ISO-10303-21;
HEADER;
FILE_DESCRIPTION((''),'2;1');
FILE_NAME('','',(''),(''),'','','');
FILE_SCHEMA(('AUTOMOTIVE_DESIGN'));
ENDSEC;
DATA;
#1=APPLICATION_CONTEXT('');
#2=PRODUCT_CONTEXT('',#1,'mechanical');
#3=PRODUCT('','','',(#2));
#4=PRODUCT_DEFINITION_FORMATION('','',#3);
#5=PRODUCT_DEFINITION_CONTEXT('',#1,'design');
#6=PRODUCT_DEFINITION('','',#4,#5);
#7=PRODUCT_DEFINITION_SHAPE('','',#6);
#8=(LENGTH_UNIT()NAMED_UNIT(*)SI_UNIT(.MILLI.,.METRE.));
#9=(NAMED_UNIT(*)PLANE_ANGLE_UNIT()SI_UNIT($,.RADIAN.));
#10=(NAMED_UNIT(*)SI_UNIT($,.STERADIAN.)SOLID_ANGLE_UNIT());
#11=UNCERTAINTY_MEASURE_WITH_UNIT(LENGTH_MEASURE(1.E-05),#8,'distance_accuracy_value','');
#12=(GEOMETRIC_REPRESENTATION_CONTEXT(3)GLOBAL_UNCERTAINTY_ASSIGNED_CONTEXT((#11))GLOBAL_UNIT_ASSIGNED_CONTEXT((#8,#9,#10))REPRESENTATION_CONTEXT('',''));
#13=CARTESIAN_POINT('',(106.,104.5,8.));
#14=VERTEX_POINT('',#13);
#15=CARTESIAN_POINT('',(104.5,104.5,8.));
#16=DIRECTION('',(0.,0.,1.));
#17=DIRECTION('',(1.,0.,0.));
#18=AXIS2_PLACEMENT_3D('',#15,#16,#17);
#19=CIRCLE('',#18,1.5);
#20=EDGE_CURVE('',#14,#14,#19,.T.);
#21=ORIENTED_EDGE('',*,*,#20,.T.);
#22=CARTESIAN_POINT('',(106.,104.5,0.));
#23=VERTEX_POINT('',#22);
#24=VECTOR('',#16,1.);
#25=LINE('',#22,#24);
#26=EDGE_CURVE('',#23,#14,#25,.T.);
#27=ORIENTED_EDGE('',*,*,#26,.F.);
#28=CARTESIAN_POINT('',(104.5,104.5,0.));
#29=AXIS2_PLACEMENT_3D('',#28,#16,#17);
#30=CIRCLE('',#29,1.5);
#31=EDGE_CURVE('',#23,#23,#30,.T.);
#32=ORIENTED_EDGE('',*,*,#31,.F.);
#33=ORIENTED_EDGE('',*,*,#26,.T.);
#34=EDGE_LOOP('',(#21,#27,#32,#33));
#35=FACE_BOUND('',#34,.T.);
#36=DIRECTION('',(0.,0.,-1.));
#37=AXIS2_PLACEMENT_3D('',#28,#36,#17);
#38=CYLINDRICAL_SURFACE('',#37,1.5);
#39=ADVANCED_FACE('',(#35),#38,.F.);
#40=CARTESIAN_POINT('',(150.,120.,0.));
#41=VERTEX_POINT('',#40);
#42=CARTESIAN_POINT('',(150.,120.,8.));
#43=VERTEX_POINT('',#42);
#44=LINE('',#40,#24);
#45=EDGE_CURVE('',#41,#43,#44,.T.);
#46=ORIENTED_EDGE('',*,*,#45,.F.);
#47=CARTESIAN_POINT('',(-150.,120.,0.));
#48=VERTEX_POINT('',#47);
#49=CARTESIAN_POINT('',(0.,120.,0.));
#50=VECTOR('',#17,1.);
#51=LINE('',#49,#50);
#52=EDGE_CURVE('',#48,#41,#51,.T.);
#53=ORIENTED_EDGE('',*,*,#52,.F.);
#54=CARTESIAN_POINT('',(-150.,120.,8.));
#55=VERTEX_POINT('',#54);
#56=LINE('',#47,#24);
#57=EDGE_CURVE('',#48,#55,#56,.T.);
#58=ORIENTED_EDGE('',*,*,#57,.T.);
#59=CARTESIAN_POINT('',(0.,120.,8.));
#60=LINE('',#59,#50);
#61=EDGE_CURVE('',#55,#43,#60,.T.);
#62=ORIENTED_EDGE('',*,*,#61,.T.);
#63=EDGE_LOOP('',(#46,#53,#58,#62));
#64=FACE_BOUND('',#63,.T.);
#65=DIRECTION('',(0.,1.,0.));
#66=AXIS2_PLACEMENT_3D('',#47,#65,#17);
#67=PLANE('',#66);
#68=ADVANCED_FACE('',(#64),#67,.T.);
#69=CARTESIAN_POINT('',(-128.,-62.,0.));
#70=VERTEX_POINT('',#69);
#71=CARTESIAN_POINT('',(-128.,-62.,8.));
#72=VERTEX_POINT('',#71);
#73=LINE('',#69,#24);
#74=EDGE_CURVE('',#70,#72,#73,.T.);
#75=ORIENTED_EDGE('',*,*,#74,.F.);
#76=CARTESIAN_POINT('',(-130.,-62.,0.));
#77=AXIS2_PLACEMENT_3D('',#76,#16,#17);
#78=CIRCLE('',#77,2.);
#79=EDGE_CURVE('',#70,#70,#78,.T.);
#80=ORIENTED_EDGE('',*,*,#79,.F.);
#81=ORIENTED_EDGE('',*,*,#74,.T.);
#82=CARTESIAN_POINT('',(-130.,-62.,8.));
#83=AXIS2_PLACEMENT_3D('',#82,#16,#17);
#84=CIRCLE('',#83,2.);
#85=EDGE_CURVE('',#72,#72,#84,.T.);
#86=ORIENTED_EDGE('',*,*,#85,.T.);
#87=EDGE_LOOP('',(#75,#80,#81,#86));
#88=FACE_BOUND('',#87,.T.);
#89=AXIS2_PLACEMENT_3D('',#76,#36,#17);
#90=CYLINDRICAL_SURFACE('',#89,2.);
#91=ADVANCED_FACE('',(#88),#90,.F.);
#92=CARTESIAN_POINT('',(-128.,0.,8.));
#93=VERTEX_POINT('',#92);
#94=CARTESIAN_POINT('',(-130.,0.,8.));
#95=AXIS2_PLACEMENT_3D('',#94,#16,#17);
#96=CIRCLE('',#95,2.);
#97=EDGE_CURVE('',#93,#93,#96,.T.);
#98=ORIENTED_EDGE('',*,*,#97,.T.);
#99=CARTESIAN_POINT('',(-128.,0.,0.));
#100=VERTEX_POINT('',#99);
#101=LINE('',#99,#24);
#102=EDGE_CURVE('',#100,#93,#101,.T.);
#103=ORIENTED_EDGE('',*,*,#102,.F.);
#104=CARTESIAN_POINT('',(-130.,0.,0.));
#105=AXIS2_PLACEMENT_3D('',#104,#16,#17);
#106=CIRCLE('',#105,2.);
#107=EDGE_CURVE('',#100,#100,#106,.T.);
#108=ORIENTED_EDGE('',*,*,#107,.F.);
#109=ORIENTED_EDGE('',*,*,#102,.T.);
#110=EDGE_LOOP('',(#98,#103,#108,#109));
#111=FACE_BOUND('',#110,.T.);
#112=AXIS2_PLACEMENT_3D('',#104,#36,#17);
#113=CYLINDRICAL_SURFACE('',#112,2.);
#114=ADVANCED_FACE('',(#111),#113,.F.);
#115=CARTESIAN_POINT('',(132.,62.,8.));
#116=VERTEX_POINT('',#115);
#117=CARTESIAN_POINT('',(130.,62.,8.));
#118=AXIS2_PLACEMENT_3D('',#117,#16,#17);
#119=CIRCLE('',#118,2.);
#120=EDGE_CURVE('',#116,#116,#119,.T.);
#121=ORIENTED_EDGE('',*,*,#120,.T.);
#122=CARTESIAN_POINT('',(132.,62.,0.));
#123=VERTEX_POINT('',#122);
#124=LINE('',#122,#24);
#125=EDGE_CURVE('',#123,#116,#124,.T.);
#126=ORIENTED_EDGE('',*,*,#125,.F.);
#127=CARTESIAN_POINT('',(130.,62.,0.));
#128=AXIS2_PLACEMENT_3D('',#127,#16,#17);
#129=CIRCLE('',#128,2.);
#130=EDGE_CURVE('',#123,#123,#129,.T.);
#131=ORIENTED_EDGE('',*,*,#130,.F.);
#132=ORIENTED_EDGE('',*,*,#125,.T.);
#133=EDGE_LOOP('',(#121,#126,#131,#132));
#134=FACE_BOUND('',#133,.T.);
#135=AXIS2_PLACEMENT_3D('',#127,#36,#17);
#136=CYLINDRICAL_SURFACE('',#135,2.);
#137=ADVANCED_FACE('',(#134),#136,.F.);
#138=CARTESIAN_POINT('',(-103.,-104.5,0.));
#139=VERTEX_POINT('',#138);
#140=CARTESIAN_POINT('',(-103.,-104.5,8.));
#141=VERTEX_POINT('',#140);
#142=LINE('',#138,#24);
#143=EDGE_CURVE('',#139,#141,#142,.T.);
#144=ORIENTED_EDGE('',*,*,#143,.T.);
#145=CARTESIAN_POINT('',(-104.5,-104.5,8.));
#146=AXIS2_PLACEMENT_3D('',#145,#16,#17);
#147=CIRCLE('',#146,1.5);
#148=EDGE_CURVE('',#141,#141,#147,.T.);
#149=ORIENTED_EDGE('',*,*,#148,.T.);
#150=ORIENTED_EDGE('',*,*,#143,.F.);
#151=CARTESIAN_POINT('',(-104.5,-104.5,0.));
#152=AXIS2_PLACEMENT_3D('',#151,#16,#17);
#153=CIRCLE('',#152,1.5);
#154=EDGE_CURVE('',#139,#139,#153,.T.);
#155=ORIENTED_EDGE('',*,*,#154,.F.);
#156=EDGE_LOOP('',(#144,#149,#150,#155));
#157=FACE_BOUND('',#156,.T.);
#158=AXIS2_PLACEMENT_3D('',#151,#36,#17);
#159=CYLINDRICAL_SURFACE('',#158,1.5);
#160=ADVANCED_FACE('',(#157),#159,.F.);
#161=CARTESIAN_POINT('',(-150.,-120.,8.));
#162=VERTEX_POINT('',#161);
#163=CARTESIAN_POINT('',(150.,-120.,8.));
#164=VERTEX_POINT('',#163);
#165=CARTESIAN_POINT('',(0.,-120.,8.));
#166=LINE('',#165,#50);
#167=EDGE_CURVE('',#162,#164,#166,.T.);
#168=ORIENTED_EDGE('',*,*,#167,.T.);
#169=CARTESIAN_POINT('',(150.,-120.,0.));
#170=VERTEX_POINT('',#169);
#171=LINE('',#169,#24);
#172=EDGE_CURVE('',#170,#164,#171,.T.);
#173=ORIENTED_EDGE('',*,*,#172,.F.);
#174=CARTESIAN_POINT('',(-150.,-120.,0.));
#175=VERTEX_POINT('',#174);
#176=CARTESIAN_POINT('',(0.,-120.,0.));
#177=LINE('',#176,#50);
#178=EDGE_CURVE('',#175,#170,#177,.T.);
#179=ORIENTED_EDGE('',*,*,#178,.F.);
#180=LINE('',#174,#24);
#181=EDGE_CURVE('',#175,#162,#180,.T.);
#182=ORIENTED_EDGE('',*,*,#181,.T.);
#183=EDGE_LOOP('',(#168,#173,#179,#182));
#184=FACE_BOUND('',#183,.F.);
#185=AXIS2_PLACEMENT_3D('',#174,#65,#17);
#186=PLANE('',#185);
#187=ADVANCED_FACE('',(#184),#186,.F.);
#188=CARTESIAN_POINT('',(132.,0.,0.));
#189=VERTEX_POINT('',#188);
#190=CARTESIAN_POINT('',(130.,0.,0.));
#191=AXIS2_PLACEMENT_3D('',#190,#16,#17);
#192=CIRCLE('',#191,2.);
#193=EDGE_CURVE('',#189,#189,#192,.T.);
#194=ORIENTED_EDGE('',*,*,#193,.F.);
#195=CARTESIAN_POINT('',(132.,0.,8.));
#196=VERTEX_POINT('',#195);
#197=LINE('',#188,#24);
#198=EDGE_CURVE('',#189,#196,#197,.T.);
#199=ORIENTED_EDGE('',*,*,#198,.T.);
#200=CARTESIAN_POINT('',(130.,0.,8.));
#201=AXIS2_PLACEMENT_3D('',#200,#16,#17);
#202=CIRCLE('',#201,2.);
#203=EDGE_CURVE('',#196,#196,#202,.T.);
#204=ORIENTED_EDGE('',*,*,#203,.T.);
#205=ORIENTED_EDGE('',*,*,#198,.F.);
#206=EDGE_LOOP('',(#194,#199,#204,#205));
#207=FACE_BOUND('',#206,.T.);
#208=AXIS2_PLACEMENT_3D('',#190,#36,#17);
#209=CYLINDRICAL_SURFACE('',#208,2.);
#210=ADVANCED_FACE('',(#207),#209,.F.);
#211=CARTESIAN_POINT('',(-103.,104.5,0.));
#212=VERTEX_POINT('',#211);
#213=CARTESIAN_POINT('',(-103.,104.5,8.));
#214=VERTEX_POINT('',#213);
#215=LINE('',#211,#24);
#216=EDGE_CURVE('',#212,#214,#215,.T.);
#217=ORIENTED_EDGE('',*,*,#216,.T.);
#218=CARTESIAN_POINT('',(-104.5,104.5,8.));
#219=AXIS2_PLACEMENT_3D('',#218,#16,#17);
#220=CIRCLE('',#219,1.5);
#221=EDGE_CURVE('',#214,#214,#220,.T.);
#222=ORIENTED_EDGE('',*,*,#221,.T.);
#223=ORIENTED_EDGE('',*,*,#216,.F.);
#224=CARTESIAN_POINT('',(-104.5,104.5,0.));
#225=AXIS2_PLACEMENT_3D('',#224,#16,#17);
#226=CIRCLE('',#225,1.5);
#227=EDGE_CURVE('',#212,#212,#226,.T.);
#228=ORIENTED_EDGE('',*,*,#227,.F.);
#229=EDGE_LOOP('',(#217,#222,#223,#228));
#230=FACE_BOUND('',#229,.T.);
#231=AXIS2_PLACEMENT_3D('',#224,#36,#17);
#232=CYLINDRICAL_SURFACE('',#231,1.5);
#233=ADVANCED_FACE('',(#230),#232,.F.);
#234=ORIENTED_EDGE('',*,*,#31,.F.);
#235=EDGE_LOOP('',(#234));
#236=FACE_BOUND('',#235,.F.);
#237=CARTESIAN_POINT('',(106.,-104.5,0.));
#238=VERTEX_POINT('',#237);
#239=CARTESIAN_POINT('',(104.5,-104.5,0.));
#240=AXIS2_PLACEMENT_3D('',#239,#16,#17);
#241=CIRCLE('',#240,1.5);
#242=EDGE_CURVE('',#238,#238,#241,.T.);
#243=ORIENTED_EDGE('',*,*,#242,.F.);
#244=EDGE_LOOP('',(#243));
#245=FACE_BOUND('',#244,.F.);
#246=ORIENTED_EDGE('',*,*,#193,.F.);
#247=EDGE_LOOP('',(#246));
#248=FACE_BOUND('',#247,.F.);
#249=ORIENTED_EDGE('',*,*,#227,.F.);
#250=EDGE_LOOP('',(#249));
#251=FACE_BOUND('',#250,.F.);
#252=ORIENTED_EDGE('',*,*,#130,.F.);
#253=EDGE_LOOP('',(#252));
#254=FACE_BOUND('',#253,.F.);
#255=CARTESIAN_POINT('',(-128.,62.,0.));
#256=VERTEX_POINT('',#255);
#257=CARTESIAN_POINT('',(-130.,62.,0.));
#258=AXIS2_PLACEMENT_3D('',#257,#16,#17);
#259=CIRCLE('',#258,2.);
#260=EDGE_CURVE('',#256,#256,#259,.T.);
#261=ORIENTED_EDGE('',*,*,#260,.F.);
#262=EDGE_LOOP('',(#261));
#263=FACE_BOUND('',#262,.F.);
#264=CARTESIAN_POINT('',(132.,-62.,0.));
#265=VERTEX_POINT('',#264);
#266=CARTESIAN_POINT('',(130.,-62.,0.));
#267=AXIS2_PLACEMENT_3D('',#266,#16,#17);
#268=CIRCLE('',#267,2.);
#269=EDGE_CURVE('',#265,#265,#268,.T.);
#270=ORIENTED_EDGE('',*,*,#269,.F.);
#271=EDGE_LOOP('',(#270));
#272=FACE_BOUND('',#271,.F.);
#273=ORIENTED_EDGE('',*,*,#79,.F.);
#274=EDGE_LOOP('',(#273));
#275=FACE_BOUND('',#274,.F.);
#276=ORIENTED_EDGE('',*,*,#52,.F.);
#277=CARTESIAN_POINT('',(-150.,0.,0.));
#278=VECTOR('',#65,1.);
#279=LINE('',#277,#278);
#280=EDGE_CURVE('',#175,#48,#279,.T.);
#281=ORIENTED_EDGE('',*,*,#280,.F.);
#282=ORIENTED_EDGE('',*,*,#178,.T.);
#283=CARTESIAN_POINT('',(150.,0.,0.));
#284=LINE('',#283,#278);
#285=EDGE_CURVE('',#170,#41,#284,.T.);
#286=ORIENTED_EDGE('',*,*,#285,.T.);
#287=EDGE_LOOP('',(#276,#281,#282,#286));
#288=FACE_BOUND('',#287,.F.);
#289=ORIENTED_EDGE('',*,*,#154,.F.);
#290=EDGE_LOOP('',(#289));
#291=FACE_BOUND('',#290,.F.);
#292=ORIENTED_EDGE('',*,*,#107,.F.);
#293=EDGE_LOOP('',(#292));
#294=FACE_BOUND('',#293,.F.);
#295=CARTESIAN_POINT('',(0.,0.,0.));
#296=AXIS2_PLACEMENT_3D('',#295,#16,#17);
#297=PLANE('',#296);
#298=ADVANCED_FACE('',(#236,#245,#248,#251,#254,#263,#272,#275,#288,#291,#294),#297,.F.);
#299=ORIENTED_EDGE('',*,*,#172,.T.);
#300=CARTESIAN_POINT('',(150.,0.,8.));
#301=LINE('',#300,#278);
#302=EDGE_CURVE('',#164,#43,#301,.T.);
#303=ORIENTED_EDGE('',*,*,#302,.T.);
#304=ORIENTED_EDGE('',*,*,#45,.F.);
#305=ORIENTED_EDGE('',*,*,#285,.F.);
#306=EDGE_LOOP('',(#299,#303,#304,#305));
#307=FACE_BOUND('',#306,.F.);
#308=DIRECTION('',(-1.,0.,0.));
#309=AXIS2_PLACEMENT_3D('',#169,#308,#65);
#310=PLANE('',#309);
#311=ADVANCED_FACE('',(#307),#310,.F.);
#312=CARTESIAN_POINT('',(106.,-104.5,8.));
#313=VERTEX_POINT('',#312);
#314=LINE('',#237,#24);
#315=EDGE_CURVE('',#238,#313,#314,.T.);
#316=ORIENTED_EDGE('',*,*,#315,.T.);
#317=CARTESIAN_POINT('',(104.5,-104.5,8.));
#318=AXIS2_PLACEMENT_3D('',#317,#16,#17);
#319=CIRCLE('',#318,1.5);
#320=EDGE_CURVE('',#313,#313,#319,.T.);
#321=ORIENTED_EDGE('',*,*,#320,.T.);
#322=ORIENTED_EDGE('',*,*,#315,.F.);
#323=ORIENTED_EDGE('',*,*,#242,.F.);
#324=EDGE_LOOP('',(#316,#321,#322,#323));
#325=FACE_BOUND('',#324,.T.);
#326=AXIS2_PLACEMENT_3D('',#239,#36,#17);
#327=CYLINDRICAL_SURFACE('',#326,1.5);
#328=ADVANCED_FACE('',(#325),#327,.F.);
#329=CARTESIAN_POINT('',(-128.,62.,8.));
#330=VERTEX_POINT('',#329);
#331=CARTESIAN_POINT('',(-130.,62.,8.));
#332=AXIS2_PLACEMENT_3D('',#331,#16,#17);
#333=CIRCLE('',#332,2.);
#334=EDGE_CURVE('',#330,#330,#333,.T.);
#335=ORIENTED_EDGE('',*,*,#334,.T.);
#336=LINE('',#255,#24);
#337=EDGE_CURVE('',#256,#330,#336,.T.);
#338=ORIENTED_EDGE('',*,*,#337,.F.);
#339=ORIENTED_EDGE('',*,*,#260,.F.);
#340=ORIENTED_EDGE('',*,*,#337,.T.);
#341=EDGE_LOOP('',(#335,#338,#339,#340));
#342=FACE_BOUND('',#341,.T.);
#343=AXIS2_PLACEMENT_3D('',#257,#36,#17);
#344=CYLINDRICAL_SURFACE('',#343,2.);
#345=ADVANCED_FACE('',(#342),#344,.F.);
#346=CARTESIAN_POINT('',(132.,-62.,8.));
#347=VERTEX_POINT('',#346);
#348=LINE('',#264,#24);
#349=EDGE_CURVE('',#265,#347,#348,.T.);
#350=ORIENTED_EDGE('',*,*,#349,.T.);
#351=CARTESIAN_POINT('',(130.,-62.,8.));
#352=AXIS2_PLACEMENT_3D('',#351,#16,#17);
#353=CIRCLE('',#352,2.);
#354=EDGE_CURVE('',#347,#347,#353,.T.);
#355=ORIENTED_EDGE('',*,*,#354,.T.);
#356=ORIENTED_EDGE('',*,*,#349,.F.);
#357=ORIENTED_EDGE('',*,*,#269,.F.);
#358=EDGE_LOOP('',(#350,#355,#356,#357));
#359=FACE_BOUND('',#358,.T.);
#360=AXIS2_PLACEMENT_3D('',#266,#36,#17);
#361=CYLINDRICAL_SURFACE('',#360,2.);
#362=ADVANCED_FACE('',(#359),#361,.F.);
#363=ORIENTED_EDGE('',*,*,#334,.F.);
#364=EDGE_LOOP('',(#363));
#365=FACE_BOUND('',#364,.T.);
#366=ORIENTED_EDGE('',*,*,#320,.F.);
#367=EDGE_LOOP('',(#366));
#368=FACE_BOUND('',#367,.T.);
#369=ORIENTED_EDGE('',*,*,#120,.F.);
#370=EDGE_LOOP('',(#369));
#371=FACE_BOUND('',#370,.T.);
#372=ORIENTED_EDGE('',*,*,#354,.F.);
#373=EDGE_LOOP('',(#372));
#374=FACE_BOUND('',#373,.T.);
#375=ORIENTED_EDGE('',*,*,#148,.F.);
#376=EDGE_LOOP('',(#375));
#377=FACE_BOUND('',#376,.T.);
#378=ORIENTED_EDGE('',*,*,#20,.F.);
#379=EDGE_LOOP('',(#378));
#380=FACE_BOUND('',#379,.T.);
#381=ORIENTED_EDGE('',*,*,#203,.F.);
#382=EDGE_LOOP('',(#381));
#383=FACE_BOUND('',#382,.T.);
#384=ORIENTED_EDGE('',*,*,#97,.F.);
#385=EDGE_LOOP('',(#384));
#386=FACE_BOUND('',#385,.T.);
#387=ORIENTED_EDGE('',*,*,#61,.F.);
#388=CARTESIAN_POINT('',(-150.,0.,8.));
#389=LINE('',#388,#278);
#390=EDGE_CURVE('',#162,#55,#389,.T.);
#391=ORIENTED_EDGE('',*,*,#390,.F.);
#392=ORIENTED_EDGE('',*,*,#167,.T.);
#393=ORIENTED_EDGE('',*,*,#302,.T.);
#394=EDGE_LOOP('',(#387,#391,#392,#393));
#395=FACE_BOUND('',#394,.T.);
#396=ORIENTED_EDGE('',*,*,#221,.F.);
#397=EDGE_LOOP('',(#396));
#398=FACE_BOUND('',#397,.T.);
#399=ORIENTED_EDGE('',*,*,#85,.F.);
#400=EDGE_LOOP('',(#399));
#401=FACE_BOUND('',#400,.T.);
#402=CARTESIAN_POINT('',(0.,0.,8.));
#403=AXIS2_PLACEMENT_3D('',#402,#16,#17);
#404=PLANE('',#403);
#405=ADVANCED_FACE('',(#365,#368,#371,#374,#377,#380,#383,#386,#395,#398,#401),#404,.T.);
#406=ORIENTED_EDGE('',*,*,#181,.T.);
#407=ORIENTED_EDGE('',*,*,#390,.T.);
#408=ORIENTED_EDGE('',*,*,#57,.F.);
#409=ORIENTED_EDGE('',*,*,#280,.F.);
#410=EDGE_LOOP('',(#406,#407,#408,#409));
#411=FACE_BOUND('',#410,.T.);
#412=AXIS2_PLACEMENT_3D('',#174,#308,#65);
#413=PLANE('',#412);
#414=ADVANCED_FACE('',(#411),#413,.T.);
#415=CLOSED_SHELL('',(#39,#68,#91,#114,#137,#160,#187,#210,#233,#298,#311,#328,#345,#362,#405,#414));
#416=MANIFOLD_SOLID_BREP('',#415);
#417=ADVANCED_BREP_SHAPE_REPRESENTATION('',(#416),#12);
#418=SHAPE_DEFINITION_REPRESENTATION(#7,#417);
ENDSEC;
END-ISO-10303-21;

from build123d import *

# Parameters (mm, degrees)
F0_W     = 300
F0_H     = 240
F0_R     = 1.5
F0_R_2   = 2
F1_DEPTH = 8


with BuildPart() as f1:
    # F0 (on Top) → F1 (new body)
    with BuildSketch(Plane.XY):
        Rectangle(F0_W, F0_H)
        with Locations((-104.5, -104.5)):
            Circle(F0_R, mode=Mode.SUBTRACT)
        with Locations((-130, -62)):
            Circle(F0_R_2, mode=Mode.SUBTRACT)
        with Locations((104.5, -104.5)):
            Circle(F0_R, mode=Mode.SUBTRACT)
        with Locations((130, -62)):
            Circle(F0_R_2, mode=Mode.SUBTRACT)
        with Locations((-130, 0)):
            Circle(F0_R_2, mode=Mode.SUBTRACT)
        with Locations((-130, 62)):
            Circle(F0_R_2, mode=Mode.SUBTRACT)
        with Locations((-104.5, 104.5)):
            Circle(F0_R, mode=Mode.SUBTRACT)
        with Locations((130, 0)):
            Circle(F0_R_2, mode=Mode.SUBTRACT)
        with Locations((130, 62)):
            Circle(F0_R_2, mode=Mode.SUBTRACT)
        with Locations((104.5, 104.5)):
            Circle(F0_R, mode=Mode.SUBTRACT)
    extrude(amount=F1_DEPTH)


solid = f1.part
